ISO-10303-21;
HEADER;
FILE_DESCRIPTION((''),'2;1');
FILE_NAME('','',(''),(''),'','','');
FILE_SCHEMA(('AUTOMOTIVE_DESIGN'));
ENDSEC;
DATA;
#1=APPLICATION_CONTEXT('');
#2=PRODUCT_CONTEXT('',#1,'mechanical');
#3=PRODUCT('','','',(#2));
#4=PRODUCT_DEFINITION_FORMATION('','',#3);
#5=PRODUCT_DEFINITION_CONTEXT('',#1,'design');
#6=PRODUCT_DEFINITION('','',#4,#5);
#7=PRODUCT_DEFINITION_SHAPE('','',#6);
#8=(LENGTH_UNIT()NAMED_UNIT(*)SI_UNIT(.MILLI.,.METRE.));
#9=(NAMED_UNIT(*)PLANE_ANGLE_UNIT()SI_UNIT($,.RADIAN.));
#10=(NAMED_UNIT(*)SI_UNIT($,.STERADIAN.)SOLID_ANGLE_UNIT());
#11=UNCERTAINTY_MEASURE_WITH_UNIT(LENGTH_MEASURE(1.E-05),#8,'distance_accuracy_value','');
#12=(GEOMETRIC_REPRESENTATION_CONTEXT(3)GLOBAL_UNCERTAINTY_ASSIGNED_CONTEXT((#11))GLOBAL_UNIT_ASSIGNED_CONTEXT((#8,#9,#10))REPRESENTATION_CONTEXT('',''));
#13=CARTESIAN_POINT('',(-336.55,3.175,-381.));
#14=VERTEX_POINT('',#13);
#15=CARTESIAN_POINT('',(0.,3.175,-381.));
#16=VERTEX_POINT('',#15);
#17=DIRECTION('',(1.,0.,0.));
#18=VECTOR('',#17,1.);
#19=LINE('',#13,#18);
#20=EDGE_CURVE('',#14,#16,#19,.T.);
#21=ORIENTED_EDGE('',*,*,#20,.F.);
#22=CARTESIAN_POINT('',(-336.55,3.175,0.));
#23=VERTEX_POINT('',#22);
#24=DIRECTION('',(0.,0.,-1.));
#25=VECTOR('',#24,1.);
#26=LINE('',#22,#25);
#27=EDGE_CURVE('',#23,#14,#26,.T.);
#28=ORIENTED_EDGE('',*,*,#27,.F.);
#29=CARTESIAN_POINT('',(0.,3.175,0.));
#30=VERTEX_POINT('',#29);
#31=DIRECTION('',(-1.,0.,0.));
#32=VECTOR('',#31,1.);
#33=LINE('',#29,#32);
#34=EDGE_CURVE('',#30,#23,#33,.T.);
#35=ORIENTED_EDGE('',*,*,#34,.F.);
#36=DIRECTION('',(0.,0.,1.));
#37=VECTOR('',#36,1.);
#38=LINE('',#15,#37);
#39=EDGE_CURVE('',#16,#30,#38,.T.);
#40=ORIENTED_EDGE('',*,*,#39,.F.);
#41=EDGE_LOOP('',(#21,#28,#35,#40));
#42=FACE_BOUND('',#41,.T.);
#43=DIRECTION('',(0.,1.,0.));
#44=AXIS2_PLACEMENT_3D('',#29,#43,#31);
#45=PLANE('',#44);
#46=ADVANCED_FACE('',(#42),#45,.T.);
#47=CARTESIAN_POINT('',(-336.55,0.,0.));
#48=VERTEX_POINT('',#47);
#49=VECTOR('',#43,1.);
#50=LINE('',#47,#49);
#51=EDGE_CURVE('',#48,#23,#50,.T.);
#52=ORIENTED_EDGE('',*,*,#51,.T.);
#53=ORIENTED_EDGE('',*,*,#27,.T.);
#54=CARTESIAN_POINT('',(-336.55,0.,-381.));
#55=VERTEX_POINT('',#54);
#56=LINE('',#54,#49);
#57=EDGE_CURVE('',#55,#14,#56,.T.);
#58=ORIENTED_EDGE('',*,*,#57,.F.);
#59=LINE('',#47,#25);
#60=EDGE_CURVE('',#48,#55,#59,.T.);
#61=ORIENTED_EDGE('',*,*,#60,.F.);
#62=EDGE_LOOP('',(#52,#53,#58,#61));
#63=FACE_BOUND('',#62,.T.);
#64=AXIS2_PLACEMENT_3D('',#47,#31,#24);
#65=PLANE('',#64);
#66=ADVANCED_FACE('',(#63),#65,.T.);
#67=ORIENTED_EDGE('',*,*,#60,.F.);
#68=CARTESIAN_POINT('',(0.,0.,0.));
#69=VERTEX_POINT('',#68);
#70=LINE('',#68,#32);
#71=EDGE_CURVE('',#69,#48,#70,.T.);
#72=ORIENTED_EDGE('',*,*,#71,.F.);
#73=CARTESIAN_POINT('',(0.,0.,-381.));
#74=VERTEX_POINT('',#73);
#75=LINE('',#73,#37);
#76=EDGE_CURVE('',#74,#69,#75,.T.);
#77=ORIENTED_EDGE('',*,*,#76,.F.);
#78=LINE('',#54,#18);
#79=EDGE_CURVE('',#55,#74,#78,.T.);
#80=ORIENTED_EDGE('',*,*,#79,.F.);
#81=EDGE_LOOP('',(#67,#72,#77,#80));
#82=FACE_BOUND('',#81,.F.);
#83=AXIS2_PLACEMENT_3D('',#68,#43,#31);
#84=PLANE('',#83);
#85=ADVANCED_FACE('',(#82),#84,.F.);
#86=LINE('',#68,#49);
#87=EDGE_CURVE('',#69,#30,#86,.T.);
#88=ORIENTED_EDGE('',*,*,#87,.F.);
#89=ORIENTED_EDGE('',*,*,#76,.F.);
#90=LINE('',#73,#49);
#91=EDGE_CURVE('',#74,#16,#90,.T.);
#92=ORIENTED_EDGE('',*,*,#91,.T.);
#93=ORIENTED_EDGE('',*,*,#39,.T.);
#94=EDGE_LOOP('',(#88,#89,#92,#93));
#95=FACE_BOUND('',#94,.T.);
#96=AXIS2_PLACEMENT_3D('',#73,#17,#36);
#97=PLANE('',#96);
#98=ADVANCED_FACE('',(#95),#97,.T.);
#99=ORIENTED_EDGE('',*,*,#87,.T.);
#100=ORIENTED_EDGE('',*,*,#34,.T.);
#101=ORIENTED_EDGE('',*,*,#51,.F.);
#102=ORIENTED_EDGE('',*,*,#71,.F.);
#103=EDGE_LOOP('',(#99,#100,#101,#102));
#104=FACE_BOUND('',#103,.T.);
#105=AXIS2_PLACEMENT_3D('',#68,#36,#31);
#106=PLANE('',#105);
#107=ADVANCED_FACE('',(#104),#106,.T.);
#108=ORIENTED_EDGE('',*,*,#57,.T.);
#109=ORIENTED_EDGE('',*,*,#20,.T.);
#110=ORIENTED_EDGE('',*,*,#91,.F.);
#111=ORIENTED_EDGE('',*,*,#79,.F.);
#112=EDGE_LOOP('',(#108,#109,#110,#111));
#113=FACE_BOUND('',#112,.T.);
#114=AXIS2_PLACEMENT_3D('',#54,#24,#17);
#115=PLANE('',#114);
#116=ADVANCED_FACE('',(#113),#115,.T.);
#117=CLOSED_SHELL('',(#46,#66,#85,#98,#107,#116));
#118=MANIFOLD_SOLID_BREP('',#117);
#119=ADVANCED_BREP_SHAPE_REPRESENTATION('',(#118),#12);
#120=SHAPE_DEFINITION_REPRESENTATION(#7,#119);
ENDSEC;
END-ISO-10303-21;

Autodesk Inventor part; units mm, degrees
ref_plane "YZ Plane" through (0, 0, 0) normal (1, 0, 0) x (0, 1, 0)
ref_plane "XZ Plane" through (0, 0, 0) normal (0, 1, 0) x (-1, 0, 0)
ref_plane "XY Plane" through (0, 0, 0) normal (0, 0, 1) x (1, 0, 0)
sketch "Sketch1" plane through (0, 0, 0) normal (0, 1, 0) x (-1, 0, 0)
  line L0 (0, 0) -> (336.55, 0)
  line L1 (336.55, 0) -> (336.55, -381)
  line L2 (336.55, -381) -> (0, -381)
  line L3 (0, -381) -> (0, 0)
  dimension "d0" = 336.55
  dimension "d1" = 381
extrude "Extrusion1" add sketch "Sketch1" along normal blind 3.175
properties part number "hdpeSheet_13.25x15inch"
